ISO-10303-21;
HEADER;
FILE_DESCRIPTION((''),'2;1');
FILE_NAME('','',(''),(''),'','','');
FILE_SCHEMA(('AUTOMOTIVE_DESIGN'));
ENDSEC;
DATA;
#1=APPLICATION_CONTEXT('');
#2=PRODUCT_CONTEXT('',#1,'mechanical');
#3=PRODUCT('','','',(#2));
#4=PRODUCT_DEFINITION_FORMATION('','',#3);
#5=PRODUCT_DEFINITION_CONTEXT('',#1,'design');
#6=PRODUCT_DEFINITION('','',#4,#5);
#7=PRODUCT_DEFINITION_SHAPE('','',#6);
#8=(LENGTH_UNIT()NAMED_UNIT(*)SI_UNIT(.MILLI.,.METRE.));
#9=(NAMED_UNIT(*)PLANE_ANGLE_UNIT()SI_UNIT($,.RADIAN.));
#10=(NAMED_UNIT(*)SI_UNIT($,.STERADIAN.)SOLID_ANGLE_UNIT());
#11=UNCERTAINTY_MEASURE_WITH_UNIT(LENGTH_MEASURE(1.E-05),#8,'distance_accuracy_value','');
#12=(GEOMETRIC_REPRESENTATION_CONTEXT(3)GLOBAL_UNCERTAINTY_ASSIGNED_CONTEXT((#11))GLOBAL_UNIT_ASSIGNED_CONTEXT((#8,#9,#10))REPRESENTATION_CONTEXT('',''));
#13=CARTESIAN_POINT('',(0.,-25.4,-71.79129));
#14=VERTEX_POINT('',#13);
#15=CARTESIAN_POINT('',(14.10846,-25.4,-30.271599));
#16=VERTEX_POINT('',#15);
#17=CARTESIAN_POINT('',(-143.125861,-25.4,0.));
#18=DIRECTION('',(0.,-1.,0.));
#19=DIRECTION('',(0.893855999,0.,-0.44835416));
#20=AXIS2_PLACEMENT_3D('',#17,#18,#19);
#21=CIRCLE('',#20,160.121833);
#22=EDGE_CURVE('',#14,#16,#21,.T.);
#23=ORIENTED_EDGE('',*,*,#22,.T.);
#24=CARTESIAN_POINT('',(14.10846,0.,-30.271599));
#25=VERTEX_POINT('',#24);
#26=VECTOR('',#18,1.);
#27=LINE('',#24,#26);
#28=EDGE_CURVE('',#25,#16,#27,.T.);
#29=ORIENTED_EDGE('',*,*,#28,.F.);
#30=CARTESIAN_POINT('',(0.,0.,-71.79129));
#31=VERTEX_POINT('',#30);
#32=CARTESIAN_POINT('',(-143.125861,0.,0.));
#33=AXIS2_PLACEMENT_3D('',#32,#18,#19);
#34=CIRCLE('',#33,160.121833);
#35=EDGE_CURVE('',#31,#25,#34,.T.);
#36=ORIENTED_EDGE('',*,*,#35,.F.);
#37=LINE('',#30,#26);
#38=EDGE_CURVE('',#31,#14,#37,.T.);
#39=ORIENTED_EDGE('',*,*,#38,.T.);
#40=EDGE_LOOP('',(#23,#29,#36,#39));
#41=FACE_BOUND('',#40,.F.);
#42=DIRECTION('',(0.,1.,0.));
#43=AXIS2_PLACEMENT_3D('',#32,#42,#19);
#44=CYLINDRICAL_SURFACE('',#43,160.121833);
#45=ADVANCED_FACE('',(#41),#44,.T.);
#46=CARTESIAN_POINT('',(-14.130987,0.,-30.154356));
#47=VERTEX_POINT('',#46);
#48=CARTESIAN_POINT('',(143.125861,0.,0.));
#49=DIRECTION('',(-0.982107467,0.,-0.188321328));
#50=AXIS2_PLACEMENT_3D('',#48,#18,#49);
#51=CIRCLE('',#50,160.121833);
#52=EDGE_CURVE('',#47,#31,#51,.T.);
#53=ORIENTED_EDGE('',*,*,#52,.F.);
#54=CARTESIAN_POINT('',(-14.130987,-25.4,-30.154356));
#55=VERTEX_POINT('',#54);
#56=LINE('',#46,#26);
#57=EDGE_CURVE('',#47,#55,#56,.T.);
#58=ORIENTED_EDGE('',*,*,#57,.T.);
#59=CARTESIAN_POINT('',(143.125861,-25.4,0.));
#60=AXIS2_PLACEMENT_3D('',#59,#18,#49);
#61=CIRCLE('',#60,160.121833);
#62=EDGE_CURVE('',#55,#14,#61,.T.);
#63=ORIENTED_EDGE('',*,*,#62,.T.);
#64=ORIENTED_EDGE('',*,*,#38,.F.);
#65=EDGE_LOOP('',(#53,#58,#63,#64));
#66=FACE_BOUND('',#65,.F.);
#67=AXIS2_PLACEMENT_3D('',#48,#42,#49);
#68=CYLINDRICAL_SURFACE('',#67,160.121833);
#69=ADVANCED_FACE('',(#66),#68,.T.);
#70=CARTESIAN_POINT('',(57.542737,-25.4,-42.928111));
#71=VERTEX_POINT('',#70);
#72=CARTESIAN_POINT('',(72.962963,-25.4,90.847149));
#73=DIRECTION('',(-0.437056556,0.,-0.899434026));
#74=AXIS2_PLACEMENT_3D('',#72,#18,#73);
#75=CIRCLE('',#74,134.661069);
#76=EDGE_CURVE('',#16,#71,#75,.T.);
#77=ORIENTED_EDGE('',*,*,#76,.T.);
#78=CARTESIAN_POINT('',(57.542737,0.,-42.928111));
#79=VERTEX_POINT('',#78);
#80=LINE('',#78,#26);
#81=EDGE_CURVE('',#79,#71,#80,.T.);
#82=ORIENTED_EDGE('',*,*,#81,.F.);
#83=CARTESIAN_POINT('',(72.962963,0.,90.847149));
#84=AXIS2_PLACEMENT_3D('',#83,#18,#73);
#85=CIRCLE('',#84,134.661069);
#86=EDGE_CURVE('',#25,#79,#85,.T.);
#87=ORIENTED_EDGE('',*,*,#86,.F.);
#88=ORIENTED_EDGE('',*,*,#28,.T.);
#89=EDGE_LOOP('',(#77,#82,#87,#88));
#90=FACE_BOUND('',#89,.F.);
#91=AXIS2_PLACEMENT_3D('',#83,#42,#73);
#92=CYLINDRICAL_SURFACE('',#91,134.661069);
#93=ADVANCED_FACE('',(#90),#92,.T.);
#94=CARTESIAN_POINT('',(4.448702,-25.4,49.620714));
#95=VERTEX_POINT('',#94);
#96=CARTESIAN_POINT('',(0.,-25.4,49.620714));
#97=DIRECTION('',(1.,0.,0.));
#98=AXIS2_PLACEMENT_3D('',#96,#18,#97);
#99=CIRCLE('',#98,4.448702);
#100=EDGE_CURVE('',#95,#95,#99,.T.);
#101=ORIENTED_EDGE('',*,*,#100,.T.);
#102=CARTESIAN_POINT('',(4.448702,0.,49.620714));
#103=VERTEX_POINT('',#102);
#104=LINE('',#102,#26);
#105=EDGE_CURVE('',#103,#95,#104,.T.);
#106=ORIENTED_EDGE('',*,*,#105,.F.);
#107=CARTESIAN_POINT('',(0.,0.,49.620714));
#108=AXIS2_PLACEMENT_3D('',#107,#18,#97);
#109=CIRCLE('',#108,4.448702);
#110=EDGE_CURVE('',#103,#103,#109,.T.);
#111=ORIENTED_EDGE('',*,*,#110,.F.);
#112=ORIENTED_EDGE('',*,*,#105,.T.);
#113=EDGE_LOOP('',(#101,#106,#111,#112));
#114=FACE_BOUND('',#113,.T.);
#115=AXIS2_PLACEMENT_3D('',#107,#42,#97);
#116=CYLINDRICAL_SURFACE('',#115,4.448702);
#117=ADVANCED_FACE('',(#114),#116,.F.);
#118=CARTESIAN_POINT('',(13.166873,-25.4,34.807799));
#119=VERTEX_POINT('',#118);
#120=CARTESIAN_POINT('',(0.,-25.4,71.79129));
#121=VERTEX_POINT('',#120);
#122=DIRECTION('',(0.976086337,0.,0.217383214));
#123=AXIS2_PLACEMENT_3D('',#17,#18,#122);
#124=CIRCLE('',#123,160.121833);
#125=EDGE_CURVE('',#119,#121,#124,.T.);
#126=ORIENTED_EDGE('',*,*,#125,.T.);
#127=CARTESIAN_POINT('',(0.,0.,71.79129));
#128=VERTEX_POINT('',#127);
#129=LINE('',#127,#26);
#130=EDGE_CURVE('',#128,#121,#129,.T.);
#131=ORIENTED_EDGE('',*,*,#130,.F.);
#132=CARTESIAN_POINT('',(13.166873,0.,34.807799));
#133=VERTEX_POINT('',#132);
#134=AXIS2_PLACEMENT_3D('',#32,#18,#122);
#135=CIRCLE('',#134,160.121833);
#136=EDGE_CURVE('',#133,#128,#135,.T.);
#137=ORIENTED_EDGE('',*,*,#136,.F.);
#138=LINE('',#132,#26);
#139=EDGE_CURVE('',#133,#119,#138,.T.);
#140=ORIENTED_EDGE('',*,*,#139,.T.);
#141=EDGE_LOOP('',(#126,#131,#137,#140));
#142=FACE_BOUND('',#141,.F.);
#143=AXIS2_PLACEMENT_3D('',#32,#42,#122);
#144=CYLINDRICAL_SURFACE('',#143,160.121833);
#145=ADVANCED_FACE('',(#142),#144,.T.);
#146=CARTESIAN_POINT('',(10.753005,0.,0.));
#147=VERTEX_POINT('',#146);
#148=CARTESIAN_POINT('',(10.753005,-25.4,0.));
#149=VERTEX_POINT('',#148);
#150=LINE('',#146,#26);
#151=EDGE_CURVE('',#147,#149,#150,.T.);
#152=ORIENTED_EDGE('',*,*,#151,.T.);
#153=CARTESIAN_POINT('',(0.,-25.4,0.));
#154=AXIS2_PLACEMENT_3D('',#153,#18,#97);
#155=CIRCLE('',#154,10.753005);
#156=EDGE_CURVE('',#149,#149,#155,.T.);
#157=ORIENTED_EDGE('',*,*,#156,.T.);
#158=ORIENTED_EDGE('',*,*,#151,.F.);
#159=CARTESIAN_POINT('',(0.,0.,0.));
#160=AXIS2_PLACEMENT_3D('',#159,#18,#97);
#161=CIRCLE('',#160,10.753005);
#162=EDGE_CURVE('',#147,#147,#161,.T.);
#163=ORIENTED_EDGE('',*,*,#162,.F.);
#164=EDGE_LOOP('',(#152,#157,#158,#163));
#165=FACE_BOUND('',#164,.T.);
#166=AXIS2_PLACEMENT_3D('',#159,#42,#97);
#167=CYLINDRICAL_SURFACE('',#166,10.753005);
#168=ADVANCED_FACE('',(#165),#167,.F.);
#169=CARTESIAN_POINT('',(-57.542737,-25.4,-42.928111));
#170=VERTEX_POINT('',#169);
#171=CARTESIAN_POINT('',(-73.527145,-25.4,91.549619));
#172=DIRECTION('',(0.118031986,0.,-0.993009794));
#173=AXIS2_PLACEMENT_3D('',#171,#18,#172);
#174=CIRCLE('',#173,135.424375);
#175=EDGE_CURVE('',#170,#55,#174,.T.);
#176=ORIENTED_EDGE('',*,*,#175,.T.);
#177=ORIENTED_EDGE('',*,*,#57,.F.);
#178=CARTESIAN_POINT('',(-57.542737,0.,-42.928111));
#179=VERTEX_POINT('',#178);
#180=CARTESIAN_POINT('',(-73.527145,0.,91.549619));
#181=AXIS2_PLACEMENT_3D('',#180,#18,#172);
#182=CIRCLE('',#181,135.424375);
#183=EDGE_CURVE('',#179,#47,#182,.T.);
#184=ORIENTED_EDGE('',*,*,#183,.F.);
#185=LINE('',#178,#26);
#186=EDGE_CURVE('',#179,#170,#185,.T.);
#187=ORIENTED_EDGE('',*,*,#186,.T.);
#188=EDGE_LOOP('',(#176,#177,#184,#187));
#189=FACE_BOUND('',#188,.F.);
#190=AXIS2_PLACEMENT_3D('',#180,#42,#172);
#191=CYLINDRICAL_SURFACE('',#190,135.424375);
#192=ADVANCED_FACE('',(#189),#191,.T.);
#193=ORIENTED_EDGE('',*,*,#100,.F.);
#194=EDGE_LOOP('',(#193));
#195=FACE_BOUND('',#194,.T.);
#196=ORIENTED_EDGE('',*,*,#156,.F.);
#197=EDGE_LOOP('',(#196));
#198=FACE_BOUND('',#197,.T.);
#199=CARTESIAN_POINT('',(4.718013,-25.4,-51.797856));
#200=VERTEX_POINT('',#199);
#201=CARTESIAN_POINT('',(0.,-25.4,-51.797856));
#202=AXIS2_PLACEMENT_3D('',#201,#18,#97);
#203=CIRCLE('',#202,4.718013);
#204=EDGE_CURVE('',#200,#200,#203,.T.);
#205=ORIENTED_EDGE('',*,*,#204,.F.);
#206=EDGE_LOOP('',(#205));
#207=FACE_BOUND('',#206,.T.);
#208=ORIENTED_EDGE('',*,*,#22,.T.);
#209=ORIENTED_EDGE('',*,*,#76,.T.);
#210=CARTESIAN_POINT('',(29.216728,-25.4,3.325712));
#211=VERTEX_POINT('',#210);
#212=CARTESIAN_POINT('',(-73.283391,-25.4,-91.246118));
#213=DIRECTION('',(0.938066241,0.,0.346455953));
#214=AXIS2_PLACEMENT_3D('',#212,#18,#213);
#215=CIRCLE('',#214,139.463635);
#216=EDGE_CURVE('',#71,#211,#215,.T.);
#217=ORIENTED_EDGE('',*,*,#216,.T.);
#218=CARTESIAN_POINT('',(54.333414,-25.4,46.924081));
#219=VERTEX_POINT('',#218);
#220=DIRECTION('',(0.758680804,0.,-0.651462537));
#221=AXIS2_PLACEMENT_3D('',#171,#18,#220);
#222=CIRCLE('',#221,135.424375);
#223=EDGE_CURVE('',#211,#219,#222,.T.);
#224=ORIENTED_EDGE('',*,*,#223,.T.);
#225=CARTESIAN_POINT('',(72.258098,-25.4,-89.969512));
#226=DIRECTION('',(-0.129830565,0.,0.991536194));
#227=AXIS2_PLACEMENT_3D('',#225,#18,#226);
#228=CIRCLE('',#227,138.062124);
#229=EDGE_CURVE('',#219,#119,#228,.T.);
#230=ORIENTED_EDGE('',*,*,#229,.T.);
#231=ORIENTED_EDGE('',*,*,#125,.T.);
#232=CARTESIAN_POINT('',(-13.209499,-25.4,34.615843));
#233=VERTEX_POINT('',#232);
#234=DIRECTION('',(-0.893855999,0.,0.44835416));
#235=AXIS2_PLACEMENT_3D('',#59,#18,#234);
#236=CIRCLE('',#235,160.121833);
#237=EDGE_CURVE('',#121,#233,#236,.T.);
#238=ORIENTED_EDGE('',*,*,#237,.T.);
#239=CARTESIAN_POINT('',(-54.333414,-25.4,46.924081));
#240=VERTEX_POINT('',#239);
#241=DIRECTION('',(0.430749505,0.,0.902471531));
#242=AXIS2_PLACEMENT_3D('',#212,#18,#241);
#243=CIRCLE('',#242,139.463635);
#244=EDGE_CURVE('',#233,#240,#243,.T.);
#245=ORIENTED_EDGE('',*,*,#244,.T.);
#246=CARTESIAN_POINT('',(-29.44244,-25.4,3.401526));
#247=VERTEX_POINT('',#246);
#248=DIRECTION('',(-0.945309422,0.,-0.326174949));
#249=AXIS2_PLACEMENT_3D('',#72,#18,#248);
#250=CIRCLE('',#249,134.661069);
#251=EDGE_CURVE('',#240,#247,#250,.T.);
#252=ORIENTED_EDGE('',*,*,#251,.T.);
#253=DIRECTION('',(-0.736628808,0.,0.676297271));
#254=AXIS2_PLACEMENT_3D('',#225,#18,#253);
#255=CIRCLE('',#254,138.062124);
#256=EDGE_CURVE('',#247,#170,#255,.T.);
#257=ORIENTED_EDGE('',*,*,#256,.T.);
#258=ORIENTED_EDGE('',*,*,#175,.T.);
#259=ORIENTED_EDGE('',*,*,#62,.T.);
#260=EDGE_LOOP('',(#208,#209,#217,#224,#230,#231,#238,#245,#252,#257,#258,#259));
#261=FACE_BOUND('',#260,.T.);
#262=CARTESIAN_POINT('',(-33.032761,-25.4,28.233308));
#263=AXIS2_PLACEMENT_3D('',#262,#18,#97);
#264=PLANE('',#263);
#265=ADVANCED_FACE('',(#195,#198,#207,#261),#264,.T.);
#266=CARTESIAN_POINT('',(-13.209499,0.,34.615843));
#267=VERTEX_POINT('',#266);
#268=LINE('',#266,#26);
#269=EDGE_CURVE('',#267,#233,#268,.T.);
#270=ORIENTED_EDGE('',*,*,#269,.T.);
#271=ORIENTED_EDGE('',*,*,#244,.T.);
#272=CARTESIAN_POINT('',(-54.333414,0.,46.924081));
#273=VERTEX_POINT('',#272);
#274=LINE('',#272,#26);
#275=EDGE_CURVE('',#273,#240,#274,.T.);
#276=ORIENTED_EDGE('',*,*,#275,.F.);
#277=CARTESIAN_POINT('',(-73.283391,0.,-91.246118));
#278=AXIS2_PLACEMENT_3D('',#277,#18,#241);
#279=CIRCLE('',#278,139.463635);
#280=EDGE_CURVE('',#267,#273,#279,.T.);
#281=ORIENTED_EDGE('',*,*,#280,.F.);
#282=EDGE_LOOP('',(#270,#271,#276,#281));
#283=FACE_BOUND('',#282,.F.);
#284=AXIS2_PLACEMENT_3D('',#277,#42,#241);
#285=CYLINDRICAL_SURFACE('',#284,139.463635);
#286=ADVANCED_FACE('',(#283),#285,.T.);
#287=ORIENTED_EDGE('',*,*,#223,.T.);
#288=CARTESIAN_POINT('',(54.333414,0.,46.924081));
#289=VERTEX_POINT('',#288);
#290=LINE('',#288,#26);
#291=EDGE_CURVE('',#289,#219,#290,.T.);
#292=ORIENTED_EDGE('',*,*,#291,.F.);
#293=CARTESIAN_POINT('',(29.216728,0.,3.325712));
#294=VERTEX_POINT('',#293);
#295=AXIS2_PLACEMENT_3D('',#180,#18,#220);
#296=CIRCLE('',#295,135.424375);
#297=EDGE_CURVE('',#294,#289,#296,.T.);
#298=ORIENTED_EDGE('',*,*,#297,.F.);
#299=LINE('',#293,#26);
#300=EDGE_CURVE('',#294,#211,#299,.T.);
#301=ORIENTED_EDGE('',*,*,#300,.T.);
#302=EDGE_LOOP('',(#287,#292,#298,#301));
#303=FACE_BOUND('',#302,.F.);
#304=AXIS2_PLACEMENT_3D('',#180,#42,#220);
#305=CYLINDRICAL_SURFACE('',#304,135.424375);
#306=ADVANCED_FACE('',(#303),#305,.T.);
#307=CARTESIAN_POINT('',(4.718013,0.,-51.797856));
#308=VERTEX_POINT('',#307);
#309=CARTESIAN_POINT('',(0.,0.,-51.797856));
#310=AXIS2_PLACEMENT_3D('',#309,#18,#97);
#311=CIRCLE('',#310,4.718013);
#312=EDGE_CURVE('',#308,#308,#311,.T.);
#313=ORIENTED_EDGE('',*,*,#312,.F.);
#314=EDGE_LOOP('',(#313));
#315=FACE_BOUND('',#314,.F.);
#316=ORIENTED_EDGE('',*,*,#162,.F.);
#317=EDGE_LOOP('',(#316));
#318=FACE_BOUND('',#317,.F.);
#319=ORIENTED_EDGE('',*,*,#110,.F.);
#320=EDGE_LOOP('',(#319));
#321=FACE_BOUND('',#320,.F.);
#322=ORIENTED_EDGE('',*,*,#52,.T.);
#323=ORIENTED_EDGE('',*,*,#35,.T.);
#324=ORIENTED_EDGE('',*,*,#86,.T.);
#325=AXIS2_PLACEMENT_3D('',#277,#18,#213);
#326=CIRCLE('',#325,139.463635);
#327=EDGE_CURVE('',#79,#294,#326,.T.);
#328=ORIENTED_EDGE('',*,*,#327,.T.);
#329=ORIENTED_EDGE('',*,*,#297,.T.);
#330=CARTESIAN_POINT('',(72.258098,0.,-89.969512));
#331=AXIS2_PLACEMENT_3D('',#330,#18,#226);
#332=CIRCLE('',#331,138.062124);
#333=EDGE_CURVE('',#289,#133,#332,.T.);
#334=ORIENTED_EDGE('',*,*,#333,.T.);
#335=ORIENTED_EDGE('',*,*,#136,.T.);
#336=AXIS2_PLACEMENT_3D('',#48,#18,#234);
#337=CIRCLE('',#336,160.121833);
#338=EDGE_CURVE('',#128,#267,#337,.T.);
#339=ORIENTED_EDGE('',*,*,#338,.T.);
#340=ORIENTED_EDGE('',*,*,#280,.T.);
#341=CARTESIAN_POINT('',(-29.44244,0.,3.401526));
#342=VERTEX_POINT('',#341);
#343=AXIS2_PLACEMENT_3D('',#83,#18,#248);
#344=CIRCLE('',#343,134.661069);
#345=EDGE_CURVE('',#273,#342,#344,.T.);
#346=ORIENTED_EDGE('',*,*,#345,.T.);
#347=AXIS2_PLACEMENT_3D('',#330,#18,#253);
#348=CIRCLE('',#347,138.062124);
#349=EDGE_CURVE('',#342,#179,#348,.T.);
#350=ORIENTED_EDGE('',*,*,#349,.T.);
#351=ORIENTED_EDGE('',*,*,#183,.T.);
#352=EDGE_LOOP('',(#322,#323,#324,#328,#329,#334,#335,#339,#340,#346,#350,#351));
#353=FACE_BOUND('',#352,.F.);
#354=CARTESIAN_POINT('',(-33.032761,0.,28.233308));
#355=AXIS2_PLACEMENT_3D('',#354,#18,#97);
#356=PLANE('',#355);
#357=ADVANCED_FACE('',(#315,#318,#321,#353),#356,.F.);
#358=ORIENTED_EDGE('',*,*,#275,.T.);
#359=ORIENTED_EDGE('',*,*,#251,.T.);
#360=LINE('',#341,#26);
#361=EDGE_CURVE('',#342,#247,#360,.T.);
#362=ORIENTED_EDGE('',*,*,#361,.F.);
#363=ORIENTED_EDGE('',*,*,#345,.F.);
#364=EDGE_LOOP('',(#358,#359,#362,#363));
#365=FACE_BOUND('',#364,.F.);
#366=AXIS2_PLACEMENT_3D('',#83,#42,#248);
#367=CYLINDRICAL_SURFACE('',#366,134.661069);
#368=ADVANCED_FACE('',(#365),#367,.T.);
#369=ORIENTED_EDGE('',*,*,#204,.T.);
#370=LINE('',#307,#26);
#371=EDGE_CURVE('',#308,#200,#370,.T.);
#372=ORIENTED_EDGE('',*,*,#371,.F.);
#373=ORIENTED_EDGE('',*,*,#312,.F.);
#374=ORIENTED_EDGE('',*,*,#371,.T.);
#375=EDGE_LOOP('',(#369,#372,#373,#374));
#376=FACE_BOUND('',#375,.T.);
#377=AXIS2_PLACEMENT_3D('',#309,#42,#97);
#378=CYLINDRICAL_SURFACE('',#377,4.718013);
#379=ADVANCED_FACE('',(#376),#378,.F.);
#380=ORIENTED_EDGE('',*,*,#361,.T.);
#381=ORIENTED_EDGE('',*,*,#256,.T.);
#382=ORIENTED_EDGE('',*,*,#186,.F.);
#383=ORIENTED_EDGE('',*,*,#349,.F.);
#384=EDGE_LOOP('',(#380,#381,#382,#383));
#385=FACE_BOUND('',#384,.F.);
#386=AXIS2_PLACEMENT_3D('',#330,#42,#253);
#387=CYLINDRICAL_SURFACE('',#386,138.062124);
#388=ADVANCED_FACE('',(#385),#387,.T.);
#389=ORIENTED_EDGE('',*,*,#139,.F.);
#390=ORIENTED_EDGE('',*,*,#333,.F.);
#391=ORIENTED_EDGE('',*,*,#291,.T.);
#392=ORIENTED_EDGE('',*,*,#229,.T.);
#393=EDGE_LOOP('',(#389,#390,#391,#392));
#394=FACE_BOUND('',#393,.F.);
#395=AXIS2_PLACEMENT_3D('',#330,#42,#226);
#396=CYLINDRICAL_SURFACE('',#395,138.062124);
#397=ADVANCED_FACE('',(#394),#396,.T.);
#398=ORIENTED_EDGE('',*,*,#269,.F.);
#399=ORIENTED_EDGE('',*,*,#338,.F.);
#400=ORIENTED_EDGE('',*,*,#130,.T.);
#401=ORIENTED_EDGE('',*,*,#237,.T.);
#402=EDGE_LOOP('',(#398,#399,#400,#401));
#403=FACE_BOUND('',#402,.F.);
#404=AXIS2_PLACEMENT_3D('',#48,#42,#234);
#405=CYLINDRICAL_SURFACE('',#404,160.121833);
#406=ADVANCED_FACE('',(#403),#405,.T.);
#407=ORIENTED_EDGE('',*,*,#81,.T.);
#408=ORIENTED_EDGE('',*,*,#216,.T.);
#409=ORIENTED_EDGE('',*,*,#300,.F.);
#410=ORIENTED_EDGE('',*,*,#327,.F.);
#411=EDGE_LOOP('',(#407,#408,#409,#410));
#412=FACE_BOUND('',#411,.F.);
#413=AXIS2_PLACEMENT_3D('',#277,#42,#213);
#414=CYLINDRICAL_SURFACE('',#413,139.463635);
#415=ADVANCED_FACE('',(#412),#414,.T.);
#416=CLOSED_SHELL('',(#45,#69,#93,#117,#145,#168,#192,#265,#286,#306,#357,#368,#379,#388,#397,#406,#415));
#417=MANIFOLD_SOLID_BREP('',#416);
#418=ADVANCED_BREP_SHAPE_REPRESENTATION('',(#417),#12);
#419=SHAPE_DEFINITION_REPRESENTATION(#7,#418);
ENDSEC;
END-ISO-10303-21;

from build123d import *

# Parameters (mm, degrees)
F0_R     = 4.4487015319
F0_R_2   = 10.7530048188
F0_R_3   = 4.7180127793
F1_DEPTH = 25.4


with BuildPart() as f1:
    # F0 (on Front) → F1 (new body)
    with BuildSketch(Plane.XZ):
        with BuildLine():
            ThreePointArc((-29.4424401282, 3.4015260978), (-23.0262753535, 9.9406396762), (-16.1905688202, 16.0398439684))
            ThreePointArc((-16.1905688202, 16.0398439684), (-14.9730955589, 25.3716641264), (-13.2094991853, 34.6158426424))
            ThreePointArc((-13.2094991853, 34.6158426424), (-33.2950660075, 42.3616642817), (-54.3334142599, 46.9240814309))
            ThreePointArc((-54.3334142599, 46.9240814309), (-43.9313490235, 23.9941508784), (-29.4424401282, 3.4015260978))
        make_face()
        with BuildLine():
            ThreePointArc((-0.2127594199, 27.5427215846), (6.3768354794, 31.3598309723), (13.1668725149, 34.8077987896))
            ThreePointArc((13.1668725149, 34.8077987896), (7.721142089, 53.7045907434), (0, 71.7912900237))
            ThreePointArc((0, 71.7912900237), (-7.7540886954, 53.6119593723), (-13.2094991853, 34.6158426424))
            ThreePointArc((-13.2094991853, 34.6158426424), (-6.6172580099, 31.2517690189), (-0.2127594199, 27.5427215846))
        make_face()
        with Locations((0, 49.6207140386)):
            Circle(F0_R, mode=Mode.SUBTRACT)
        with BuildLine():
            ThreePointArc((13.1668725149, 34.8077987896), (14.9841600378, 25.3026214649), (16.223923099, 15.7050218969))
            ThreePointArc((16.223923099, 15.7050218969), (22.9196518716, 9.724571518), (29.2167284259, 3.3257124477))
            ThreePointArc((29.2167284259, 3.3257124477), (43.8176697051, 23.9481716961), (54.3334142599, 46.9240814309))
            ThreePointArc((54.3334142599, 46.9240814309), (33.2765171586, 42.4751427427), (13.1668725149, 34.8077987896))
        make_face()
        with BuildLine():
            ThreePointArc((-0.1224819877, -22.2551113905), (8.5491454913, -16.1687348266), (16.7184581773, -9.4231115752))
            ThreePointArc((16.7184581773, -9.4231115752), (16.9649715432, 3.1506730326), (16.223923099, 15.7050218969))
            ThreePointArc((16.223923099, 15.7050218969), (8.2207799897, 21.9226750358), (-0.2127594199, 27.5427215846))
            ThreePointArc((-0.2127594199, 27.5427215846), (-8.4069648764, 22.0764511026), (-16.1905688202, 16.0398439684))
            ThreePointArc((-16.1905688202, 16.0398439684), (-16.9635494943, 3.2221192601), (-16.7069505399, -9.6163277953))
            ThreePointArc((-16.7069505399, -9.6163277953), (-8.6597139653, -16.2572027994), (-0.1224819877, -22.2551113905))
        make_face()
        Circle(F0_R_2, mode=Mode.SUBTRACT)
        with BuildLine():
            ThreePointArc((-13.2094991853, 34.6158426424), (-14.9730955589, 25.3716641264), (-16.1905688202, 16.0398439684))
            ThreePointArc((-16.1905688202, 16.0398439684), (-8.4069648764, 22.0764511026), (-0.2127594199, 27.5427215846))
            ThreePointArc((-0.2127594199, 27.5427215846), (-6.6172580099, 31.2517690189), (-13.2094991853, 34.6158426424))
        make_face()
        with BuildLine():
            ThreePointArc((-0.2127594199, 27.5427215846), (8.2207799897, 21.9226750358), (16.223923099, 15.7050218969))
            ThreePointArc((16.223923099, 15.7050218969), (14.9841600378, 25.3026214649), (13.1668725149, 34.8077987896))
            ThreePointArc((13.1668725149, 34.8077987896), (6.3768354794, 31.3598309723), (-0.2127594199, 27.5427215846))
        make_face()
        with BuildLine():
            ThreePointArc((-57.542737113, -42.9281111723), (-35.2995419272, -38.3673220516), (-14.1309868657, -30.1543563216))
            ThreePointArc((-14.1309868657, -30.1543563216), (-15.7511847912, -19.9270099612), (-16.7069505399, -9.6163277953))
            ThreePointArc((-16.7069505399, -9.6163277953), (-23.2950130239, -3.3229397285), (-29.4424401282, 3.4015260978))
            ThreePointArc((-29.4424401282, 3.4015260978), (-45.7877840818, -18.3711885214), (-57.542737113, -42.9281111723))
        make_face()
        with BuildLine():
            ThreePointArc((-29.4424401282, 3.4015260978), (-23.2950130239, -3.3229397285), (-16.7069505399, -9.6163277953))
            ThreePointArc((-16.7069505399, -9.6163277953), (-16.9635494943, 3.2221192601), (-16.1905688202, 16.0398439684))
            ThreePointArc((-16.1905688202, 16.0398439684), (-23.0262753535, 9.9406396762), (-29.4424401282, 3.4015260978))
        make_face()
        with BuildLine():
            ThreePointArc((-16.7069505399, -9.6163277953), (-15.7511847912, -19.9270099612), (-14.1309868657, -30.1543563216))
            ThreePointArc((-14.1309868657, -30.1543563216), (-7.0093726235, -26.4128630389), (-0.1224819877, -22.2551113905))
            ThreePointArc((-0.1224819877, -22.2551113905), (-8.6597139653, -16.2572027994), (-16.7069505399, -9.6163277953))
        make_face()
        with BuildLine():
            ThreePointArc((-14.1309868657, -30.1543563216), (-8.5014831961, -51.4601778042), (0, -71.7912900237))
            ThreePointArc((0, -71.7912900237), (8.482288282, -51.5167009706), (14.1084600409, -30.2715987794))
            ThreePointArc((14.1084600409, -30.2715987794), (6.8713335487, -26.4793190065), (-0.1224819877, -22.2551113905))
            ThreePointArc((-0.1224819877, -22.2551113905), (-7.0093726235, -26.4128630389), (-14.1309868657, -30.1543563216))
        make_face()
        with Locations((0, -51.7978556454)):
            Circle(F0_R_3, mode=Mode.SUBTRACT)
        with BuildLine():
            ThreePointArc((16.7184581773, -9.4231115752), (15.7557958243, -19.8902119169), (14.1084600409, -30.2715987794))
            ThreePointArc((14.1084600409, -30.2715987794), (35.2902850673, -38.4369294065), (57.542737113, -42.9281111723))
            ThreePointArc((57.542737113, -42.9281111723), (45.6499453561, -18.4109129726), (29.2167284259, 3.3257124477))
            ThreePointArc((29.2167284259, 3.3257124477), (23.1779099268, -3.2548828175), (16.7184581773, -9.4231115752))
        make_face()
        with BuildLine():
            ThreePointArc((16.223923099, 15.7050218969), (16.9649715432, 3.1506730326), (16.7184581773, -9.4231115752))
            ThreePointArc((16.7184581773, -9.4231115752), (23.1779099268, -3.2548828175), (29.2167284259, 3.3257124477))
            ThreePointArc((29.2167284259, 3.3257124477), (22.9196518716, 9.724571518), (16.223923099, 15.7050218969))
        make_face()
        with BuildLine():
            ThreePointArc((-0.1224819877, -22.2551113905), (6.8713335487, -26.4793190065), (14.1084600409, -30.2715987794))
            ThreePointArc((14.1084600409, -30.2715987794), (15.7557958243, -19.8902119169), (16.7184581773, -9.4231115752))
            ThreePointArc((16.7184581773, -9.4231115752), (8.5491454913, -16.1687348266), (-0.1224819877, -22.2551113905))
        make_face()
    extrude(amount=F1_DEPTH)


solid = f1.part
